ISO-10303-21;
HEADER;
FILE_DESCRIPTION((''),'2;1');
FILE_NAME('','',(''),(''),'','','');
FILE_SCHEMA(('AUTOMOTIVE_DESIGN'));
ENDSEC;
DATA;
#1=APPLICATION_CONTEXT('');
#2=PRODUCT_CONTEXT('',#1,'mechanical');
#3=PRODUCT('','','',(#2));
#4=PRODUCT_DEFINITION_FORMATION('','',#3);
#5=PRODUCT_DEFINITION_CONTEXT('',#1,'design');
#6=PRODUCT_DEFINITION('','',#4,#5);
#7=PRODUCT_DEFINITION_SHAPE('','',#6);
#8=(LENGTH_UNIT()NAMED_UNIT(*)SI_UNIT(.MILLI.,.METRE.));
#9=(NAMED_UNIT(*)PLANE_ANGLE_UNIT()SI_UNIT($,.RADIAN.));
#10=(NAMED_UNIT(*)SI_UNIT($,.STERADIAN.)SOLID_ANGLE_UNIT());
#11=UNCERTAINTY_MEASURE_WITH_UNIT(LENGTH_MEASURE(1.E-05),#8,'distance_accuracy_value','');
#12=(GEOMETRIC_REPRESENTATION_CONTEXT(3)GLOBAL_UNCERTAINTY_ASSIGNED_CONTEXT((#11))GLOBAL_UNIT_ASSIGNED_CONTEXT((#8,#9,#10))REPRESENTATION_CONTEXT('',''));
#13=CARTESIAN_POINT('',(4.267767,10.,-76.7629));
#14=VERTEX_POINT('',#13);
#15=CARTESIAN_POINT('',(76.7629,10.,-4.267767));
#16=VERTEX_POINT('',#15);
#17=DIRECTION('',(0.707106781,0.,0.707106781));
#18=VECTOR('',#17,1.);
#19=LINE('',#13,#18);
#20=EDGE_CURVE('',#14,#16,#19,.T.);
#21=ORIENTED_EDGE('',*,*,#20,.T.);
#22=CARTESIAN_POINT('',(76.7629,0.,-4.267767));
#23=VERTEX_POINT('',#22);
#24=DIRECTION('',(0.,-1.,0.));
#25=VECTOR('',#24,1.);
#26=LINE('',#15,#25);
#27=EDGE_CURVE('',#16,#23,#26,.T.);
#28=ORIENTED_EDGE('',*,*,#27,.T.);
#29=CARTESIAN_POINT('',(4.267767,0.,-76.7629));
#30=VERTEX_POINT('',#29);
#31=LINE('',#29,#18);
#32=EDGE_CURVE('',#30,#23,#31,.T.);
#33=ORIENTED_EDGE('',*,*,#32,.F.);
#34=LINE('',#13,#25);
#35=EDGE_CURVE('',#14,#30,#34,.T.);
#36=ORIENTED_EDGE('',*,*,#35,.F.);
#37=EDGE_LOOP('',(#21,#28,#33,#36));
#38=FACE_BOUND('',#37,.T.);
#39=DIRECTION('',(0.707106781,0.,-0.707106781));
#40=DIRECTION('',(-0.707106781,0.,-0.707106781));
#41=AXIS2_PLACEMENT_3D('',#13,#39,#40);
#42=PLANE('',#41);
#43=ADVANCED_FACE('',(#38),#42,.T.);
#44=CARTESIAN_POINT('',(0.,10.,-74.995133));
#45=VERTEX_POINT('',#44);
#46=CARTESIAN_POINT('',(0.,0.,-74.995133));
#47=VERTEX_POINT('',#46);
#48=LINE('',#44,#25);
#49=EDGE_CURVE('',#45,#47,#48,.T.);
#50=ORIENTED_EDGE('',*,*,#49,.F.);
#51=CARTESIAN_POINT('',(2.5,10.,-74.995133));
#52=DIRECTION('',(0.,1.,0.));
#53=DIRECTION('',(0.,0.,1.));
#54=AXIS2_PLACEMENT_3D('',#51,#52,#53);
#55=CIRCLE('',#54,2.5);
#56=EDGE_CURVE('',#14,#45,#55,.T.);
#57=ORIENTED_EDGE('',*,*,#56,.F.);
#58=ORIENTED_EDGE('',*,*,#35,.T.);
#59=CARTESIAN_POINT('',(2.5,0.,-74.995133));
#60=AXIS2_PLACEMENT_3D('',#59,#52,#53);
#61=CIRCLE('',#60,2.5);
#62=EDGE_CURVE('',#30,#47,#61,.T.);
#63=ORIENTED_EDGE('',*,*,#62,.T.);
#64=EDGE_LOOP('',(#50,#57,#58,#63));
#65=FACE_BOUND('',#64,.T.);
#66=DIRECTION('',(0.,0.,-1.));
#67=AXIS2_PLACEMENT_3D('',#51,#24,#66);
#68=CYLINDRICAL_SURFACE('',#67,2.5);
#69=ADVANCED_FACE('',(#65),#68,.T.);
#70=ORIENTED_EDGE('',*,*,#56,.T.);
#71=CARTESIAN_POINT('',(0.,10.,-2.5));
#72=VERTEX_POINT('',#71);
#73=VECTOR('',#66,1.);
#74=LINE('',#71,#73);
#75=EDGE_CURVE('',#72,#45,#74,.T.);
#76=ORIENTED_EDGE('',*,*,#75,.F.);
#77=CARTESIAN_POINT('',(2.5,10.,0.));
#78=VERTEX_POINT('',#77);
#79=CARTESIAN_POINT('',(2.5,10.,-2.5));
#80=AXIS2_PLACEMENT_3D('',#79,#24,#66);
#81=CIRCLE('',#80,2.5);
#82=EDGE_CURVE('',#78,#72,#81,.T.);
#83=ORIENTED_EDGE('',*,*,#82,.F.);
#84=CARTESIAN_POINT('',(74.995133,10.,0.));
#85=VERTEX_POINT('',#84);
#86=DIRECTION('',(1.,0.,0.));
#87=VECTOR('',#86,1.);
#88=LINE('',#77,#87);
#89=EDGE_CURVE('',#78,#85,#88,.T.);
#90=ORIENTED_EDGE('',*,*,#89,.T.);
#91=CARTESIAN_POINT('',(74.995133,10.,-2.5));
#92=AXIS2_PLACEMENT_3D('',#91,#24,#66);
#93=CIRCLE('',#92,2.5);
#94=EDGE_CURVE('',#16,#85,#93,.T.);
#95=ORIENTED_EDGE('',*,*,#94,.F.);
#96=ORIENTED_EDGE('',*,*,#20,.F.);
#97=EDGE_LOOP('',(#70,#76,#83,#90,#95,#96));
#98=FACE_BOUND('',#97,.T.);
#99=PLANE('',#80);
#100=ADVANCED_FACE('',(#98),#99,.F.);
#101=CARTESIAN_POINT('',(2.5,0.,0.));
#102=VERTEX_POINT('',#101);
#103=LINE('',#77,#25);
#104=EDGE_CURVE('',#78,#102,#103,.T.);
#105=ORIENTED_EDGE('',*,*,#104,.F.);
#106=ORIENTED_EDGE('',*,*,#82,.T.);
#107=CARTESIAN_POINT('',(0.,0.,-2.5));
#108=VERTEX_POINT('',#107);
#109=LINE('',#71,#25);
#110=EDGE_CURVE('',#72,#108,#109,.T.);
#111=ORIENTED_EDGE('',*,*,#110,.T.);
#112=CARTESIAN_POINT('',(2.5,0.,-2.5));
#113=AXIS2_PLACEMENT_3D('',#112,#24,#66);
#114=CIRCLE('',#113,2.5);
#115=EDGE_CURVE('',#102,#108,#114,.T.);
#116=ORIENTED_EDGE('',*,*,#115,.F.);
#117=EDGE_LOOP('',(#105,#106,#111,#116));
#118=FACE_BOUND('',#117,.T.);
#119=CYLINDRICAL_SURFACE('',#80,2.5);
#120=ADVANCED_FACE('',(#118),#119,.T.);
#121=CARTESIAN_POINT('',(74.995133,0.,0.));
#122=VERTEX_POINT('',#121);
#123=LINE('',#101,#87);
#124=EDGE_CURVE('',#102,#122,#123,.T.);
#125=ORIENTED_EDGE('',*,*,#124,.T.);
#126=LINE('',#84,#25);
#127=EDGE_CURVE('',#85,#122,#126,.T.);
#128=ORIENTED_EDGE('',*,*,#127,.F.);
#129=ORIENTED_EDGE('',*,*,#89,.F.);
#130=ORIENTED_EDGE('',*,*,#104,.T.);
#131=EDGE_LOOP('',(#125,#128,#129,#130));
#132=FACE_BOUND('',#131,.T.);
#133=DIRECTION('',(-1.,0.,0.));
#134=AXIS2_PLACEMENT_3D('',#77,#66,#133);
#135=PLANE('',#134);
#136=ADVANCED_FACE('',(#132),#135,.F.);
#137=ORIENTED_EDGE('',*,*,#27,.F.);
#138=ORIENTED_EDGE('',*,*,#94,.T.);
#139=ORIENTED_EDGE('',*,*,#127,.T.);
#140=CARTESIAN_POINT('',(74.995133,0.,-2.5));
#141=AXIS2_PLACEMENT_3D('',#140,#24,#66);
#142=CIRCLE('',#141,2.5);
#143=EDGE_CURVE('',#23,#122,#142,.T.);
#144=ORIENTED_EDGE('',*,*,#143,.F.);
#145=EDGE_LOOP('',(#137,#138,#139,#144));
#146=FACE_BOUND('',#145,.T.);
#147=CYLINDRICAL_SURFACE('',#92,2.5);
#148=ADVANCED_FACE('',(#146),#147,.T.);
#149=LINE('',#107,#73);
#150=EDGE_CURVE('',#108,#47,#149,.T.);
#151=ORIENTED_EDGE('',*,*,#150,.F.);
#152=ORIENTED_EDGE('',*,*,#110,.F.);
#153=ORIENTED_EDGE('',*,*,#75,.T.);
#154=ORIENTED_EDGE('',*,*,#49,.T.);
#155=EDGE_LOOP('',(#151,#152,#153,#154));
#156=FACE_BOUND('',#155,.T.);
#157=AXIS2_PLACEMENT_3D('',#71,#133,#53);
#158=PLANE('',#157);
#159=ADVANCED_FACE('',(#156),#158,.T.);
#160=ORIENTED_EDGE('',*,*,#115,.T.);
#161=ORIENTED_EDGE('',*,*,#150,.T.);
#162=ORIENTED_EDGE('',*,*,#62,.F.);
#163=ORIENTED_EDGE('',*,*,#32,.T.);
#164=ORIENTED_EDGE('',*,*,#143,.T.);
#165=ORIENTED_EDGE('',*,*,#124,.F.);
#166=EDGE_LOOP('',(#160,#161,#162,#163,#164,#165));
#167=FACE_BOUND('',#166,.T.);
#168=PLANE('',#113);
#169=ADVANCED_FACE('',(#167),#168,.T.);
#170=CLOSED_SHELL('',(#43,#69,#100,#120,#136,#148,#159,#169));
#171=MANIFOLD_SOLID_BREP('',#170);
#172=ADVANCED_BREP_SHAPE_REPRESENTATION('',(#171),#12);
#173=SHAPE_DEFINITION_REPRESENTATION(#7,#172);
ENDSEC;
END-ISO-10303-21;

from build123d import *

# Parameters (mm, degrees)
BOSS_EXTRUDE1_DEPTH = 10


with BuildPart() as part:
    # Sketch2 → Boss-Extrude1 (new body)
    with BuildSketch(Plane(origin=(0, 0, 0), x_dir=(1, 0, 0), z_dir=(0, 1, 0))):
        with BuildLine():
            Line((4.267766953, 76.762899821), (76.762899821, 4.267766953))
            ThreePointArc((76.762899821, 4.267766953), (77.304831699, 1.543291419), (74.995132868, 0))
            Line((74.995132868, 0), (2.5, 0))
            ThreePointArc((2.5, 0), (0.732233047, 0.732233047), (0, 2.5))
            Line((0, 2.5), (0, 74.995132868))
            ThreePointArc((0, 74.995132868), (1.543291419, 77.304831699), (4.267766953, 76.762899821))
        make_face()
    extrude(amount=BOSS_EXTRUDE1_DEPTH)


solid = part.part
